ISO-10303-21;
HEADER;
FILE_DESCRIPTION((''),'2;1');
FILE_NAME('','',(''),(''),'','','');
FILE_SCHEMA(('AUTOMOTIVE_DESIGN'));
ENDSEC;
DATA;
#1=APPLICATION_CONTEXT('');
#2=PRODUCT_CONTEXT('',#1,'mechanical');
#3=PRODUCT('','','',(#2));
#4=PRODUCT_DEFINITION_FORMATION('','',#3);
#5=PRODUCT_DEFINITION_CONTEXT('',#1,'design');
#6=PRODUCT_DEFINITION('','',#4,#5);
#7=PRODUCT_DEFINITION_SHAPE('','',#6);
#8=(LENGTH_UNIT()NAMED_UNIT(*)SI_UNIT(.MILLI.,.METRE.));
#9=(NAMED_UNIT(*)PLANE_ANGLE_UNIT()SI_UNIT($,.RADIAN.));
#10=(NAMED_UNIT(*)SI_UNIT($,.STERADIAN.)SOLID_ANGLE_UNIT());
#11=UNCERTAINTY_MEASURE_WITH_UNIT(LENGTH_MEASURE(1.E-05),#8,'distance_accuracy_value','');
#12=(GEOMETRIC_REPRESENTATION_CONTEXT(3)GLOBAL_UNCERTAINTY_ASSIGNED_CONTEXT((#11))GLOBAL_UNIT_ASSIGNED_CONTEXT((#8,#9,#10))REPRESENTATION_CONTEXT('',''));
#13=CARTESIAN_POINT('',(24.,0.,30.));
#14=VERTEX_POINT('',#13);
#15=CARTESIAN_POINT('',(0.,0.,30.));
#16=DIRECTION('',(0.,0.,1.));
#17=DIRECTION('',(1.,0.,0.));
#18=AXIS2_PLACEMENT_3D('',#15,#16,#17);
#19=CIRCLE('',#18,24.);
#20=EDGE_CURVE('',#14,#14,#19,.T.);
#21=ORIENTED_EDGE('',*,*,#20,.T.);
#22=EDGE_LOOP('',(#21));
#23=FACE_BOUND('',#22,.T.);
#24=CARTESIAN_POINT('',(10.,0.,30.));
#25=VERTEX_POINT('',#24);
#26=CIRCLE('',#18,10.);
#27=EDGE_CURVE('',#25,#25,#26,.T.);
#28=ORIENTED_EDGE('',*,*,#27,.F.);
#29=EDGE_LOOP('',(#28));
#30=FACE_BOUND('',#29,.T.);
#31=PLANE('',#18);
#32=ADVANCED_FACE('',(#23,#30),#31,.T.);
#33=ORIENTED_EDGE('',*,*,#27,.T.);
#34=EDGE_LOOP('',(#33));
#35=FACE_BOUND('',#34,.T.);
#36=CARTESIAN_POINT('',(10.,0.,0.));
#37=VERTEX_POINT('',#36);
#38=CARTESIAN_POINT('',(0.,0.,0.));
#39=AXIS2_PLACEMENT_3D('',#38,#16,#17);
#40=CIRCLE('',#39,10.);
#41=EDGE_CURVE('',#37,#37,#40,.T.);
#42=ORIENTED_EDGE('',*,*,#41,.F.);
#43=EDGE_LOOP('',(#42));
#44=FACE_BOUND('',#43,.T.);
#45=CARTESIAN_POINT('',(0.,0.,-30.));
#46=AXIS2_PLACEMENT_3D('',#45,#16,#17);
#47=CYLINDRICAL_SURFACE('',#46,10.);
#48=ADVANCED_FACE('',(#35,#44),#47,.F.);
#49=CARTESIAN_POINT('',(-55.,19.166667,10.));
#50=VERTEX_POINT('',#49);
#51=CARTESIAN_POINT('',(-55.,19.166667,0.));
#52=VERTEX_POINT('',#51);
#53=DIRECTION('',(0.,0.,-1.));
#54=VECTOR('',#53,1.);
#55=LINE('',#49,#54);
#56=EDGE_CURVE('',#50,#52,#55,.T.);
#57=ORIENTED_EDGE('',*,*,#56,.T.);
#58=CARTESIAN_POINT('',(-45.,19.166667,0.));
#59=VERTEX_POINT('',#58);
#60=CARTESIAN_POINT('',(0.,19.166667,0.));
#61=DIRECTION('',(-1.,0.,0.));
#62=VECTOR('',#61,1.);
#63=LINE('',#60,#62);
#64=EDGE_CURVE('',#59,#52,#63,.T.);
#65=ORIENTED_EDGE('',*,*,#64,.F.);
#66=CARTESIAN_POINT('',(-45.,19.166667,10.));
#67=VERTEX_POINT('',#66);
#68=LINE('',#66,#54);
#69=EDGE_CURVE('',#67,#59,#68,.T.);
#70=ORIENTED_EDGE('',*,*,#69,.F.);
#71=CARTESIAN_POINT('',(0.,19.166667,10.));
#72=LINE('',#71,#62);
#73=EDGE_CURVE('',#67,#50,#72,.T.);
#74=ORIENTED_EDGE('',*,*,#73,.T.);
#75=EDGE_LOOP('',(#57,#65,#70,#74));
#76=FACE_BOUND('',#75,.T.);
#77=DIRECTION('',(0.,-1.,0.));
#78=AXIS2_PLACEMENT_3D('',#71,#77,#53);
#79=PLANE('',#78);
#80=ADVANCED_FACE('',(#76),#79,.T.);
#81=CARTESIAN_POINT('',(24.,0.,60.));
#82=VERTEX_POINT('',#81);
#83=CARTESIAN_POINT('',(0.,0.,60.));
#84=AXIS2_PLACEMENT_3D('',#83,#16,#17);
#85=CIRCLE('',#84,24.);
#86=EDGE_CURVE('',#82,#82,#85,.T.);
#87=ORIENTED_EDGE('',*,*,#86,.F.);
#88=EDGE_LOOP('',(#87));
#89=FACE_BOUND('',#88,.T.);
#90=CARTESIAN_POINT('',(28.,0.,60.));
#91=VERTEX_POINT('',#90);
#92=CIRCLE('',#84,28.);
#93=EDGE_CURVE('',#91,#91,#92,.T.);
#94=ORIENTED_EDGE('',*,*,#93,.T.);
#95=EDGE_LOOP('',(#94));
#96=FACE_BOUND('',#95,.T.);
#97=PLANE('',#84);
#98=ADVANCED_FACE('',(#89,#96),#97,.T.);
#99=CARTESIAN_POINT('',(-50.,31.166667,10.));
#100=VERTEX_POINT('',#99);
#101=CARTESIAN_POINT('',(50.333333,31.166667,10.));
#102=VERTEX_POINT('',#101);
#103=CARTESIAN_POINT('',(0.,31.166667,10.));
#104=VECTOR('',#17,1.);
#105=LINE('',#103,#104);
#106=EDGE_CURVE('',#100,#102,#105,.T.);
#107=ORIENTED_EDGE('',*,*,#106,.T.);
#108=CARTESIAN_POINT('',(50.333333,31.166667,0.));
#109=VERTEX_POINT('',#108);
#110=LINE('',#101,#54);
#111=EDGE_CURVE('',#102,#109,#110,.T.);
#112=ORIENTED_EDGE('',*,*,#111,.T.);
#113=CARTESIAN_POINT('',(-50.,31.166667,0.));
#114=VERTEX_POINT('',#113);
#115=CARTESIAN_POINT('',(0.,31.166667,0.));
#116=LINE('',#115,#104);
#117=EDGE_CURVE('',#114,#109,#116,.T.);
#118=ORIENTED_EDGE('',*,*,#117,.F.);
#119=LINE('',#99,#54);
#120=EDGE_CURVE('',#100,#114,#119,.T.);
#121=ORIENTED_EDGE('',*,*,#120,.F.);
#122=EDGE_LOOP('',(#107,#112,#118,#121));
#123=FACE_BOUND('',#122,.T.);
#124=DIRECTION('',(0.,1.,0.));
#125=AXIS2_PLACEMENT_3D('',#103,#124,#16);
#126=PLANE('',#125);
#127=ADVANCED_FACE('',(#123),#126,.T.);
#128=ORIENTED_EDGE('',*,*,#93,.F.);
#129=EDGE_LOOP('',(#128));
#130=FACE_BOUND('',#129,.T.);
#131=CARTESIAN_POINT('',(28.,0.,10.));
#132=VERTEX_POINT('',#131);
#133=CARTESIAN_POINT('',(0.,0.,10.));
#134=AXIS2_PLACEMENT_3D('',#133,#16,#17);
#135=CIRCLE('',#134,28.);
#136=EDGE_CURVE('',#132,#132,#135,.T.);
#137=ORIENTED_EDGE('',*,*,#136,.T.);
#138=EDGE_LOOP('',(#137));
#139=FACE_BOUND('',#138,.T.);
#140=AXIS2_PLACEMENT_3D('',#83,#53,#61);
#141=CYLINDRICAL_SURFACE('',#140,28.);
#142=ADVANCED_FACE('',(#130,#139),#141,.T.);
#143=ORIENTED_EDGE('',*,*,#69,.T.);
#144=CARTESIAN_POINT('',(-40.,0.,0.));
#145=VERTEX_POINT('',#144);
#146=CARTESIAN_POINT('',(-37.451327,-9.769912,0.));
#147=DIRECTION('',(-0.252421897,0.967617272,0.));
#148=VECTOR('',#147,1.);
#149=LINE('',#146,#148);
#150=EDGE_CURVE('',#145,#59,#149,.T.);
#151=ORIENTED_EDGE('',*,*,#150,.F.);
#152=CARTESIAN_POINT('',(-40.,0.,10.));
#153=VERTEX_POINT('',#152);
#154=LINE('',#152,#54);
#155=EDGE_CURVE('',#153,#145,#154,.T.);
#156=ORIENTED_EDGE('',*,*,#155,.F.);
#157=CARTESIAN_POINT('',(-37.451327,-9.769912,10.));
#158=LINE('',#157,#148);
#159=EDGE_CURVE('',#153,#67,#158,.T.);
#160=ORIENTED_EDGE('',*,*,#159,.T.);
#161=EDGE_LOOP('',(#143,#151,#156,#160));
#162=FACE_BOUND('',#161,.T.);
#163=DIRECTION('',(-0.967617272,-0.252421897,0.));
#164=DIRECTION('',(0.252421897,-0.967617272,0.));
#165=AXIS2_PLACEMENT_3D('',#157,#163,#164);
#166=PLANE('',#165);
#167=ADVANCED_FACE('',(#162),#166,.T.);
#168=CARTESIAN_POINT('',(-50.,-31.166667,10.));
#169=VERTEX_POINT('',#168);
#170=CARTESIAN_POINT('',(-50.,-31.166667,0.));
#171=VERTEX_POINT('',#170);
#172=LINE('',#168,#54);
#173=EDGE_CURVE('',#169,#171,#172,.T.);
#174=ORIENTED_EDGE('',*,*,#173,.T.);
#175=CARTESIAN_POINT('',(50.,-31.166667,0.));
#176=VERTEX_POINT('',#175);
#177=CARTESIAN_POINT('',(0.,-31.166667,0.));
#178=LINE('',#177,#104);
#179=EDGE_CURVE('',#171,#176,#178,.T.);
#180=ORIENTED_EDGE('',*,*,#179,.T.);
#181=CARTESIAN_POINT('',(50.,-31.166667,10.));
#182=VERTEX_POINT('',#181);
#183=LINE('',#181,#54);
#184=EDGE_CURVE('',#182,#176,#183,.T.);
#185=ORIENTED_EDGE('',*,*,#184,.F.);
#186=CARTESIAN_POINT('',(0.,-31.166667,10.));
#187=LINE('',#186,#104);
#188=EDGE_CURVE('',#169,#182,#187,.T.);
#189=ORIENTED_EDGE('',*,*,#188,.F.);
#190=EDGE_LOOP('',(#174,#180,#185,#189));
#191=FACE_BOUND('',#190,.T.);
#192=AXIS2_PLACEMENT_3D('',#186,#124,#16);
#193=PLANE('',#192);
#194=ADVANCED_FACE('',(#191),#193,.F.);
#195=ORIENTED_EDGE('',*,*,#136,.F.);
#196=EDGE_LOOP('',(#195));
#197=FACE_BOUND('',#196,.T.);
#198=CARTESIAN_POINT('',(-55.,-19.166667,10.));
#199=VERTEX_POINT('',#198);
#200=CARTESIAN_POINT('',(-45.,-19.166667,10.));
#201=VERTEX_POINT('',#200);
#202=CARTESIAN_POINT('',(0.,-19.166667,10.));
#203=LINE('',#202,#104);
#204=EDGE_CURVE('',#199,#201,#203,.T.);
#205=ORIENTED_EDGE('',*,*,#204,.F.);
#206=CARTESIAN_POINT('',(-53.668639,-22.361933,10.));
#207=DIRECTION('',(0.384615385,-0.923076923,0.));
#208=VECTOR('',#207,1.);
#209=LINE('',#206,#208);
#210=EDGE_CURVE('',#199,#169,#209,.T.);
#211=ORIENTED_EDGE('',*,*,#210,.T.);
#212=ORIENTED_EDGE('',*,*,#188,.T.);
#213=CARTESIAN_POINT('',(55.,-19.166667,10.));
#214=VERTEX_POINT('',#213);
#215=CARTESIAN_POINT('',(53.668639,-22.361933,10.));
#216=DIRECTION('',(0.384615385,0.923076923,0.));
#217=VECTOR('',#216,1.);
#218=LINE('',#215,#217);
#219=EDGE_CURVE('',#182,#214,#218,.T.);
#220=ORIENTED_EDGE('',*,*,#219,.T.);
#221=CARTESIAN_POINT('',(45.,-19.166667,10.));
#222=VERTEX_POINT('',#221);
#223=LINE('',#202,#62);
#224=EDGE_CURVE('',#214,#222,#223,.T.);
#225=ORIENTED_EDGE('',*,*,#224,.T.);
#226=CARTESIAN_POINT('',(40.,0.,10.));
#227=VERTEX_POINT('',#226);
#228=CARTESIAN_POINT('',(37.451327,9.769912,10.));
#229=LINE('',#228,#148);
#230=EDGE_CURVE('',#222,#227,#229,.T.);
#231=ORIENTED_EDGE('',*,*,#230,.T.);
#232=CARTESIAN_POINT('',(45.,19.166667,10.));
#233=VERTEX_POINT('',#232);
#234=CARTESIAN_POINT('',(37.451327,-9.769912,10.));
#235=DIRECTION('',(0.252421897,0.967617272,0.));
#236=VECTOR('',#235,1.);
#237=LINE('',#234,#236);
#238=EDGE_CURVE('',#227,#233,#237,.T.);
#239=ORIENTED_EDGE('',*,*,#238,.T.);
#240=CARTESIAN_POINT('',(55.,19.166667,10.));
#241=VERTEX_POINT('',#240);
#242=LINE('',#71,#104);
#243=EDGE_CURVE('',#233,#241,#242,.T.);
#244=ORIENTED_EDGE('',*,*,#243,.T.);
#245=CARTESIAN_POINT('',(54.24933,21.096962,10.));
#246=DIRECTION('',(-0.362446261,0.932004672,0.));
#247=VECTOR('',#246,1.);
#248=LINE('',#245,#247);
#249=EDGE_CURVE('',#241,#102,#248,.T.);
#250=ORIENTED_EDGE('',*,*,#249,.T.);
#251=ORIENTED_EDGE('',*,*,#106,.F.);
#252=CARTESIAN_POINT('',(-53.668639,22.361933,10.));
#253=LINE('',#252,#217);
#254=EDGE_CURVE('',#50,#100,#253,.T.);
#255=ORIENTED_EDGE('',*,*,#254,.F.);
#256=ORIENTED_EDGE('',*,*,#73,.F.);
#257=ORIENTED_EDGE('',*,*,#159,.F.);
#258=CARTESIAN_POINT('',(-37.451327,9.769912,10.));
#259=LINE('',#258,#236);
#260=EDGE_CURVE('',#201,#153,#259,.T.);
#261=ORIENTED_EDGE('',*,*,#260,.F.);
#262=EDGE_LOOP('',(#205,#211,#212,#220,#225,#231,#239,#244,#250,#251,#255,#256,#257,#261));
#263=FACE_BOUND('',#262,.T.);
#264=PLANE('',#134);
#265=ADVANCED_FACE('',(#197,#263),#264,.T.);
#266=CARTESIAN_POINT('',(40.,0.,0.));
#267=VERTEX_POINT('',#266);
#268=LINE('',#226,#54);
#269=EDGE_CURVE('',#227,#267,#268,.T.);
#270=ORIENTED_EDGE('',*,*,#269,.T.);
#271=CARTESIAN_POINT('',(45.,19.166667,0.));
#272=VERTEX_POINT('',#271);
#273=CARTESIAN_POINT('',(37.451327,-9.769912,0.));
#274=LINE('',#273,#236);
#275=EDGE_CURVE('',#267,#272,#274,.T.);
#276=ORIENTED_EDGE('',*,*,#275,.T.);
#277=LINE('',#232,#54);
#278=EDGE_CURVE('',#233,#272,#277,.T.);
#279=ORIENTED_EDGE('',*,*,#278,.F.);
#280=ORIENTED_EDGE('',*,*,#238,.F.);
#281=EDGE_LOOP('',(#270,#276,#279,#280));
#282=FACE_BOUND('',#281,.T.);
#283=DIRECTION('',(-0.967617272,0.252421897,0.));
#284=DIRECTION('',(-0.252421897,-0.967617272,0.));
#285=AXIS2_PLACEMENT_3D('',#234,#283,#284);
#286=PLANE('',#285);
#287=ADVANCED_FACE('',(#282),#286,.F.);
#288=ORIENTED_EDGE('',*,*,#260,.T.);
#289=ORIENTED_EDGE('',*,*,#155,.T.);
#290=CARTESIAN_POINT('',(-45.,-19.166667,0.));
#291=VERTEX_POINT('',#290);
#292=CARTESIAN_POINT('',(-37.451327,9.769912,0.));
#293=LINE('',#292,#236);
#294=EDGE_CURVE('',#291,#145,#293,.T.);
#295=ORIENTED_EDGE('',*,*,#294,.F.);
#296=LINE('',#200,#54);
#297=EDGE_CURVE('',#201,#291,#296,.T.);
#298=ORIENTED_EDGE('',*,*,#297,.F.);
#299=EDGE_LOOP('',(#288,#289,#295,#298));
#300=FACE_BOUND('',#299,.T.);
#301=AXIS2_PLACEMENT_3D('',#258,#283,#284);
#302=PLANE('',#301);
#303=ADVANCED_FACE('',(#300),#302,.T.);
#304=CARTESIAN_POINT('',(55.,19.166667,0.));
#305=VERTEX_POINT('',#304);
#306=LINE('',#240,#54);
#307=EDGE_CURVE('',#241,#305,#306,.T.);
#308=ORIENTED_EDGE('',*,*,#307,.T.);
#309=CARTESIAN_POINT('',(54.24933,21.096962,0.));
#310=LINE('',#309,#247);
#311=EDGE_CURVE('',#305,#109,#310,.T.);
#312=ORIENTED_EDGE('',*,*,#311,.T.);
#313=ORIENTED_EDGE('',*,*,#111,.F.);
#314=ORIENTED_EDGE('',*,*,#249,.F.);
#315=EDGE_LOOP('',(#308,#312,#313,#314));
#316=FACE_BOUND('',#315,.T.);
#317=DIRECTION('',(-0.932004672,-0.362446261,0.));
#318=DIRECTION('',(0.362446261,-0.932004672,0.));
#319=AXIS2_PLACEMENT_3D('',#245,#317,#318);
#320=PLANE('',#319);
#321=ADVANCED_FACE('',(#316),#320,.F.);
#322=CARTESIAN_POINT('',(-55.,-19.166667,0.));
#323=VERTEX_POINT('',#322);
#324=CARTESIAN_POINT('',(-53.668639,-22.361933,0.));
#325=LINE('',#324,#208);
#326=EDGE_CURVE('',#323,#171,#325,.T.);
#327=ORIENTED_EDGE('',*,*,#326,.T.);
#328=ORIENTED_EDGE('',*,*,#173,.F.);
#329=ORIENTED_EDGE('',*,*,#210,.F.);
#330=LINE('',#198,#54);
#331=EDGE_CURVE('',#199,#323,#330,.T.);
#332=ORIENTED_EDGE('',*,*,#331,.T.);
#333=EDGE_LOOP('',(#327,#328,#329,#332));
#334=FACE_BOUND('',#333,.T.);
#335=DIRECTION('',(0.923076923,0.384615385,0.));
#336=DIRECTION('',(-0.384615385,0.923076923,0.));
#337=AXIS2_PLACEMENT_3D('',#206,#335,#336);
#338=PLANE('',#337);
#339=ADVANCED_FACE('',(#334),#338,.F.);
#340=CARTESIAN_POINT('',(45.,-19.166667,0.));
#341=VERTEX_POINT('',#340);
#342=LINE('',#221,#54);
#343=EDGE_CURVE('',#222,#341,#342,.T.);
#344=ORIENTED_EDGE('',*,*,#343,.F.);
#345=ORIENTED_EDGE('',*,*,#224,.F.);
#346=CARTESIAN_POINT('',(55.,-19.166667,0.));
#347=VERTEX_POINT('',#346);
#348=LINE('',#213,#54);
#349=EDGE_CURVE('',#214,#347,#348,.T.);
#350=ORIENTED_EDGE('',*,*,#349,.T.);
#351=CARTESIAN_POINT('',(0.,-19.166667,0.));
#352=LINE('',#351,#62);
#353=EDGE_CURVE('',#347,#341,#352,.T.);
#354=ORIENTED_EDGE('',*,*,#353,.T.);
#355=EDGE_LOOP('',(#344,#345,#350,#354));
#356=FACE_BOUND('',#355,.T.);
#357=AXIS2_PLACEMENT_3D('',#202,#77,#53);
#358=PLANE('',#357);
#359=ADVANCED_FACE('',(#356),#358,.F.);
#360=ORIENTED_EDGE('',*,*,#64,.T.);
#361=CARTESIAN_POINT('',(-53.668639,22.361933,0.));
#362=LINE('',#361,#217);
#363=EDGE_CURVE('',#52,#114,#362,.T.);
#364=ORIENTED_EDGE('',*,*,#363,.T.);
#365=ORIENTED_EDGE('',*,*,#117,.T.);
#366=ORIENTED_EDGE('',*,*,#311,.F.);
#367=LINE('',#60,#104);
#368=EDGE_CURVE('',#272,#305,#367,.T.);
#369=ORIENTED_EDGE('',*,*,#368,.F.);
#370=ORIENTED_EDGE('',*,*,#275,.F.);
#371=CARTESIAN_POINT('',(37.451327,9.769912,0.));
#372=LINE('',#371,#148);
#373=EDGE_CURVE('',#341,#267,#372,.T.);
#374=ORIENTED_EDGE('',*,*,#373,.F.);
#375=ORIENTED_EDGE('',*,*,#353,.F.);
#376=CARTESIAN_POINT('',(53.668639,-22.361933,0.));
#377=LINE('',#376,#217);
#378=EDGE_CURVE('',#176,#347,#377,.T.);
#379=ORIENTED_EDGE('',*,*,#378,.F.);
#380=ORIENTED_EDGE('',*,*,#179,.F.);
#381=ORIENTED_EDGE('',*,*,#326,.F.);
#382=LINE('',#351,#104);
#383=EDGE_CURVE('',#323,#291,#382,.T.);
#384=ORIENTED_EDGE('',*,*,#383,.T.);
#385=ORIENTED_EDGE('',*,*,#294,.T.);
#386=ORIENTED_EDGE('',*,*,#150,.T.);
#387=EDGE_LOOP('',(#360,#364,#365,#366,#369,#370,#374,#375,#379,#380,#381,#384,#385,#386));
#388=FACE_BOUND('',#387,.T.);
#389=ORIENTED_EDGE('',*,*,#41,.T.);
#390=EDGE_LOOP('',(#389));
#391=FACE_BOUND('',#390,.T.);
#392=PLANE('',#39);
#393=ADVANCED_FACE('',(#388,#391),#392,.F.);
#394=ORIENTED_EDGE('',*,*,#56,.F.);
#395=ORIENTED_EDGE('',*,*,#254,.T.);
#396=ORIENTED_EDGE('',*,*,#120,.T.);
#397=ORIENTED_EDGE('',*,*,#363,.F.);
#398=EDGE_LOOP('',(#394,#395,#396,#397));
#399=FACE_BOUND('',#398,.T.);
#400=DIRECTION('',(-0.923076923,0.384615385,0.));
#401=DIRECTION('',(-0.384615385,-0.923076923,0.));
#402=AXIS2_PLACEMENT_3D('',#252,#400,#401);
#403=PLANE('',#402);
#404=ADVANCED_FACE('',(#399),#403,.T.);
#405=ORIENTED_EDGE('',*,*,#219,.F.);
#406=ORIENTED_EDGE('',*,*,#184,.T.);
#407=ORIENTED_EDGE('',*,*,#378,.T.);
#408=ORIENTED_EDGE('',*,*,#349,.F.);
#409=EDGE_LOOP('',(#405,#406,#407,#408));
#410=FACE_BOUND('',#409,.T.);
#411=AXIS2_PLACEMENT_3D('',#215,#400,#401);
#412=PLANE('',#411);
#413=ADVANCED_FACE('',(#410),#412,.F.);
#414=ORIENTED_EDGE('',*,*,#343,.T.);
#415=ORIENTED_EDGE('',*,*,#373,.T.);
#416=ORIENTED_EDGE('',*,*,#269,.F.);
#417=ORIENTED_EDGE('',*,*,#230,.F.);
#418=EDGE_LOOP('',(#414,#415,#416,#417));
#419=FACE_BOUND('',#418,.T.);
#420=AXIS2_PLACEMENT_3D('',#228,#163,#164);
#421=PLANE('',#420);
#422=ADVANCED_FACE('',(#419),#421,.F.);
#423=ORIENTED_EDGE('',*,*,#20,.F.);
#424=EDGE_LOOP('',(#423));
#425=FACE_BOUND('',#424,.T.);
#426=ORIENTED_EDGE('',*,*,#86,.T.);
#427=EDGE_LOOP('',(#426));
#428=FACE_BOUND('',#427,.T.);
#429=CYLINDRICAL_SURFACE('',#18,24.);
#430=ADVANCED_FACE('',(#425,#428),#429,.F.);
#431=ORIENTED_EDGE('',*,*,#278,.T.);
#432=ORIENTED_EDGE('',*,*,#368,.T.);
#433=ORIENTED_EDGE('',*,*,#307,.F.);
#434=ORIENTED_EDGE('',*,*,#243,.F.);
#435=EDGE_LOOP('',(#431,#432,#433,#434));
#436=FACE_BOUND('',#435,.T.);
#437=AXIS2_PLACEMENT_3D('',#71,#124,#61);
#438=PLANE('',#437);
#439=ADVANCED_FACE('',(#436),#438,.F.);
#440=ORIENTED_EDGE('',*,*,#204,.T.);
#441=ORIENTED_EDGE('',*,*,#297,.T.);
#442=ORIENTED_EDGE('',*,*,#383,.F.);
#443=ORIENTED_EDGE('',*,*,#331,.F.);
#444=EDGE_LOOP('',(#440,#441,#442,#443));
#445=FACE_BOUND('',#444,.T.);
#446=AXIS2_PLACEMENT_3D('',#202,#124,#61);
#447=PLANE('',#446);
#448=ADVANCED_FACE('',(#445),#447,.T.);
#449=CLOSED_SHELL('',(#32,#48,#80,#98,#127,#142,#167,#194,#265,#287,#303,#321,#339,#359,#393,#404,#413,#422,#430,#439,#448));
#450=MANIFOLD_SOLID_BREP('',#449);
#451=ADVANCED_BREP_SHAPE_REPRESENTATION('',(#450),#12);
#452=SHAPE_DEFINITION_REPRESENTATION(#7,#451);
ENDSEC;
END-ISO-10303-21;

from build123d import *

# Parameters (mm, degrees)
EXTRUDE_1_DEPTH     = 10
SKETCH_2_R          = 28
EXTRUDE_2_DEPTH     = 50
SKETCH_3_R          = 24
CUT_EXTRUDE_1_DEPTH = 30
SKETCH_4_R          = 10
CUT_EXTRUDE_2_DEPTH = 60


with BuildPart() as part:
    # Эскиз1 → Бобышка-Вытянуть1 (new body)
    with BuildSketch(Plane.XY):
        Polygon((45, 19.166666667), (55, 19.166666667), (50.333333333, 31.166666667), (-50, 31.166666667), (-55, 19.166666667), (-45, 19.166666667), (-40, 0), (-45, -19.166666667), (-55, -19.166666667), (-50, -31.166666667), (50, -31.166666667), (55, -19.166666667), (45, -19.166666667), (40, 0), align=None)
    extrude(amount=EXTRUDE_1_DEPTH)

    # Эскиз2 → Бобышка-Вытянуть2 (add)
    with BuildSketch(Plane.XY.offset(10)):
        Circle(SKETCH_2_R)
    extrude(amount=EXTRUDE_2_DEPTH)

    # Эскиз3 → Вырез-Вытянуть1 (cut)
    with BuildSketch(Plane.XY.offset(60)):
        Circle(SKETCH_3_R)
    extrude(amount=-CUT_EXTRUDE_1_DEPTH, mode=Mode.SUBTRACT)

    # Эскиз4 → Вырез-Вытянуть2 (cut)
    with BuildSketch(Plane.XY.offset(30)):
        Circle(SKETCH_4_R)
    extrude(amount=-CUT_EXTRUDE_2_DEPTH, mode=Mode.SUBTRACT)


solid = part.part
